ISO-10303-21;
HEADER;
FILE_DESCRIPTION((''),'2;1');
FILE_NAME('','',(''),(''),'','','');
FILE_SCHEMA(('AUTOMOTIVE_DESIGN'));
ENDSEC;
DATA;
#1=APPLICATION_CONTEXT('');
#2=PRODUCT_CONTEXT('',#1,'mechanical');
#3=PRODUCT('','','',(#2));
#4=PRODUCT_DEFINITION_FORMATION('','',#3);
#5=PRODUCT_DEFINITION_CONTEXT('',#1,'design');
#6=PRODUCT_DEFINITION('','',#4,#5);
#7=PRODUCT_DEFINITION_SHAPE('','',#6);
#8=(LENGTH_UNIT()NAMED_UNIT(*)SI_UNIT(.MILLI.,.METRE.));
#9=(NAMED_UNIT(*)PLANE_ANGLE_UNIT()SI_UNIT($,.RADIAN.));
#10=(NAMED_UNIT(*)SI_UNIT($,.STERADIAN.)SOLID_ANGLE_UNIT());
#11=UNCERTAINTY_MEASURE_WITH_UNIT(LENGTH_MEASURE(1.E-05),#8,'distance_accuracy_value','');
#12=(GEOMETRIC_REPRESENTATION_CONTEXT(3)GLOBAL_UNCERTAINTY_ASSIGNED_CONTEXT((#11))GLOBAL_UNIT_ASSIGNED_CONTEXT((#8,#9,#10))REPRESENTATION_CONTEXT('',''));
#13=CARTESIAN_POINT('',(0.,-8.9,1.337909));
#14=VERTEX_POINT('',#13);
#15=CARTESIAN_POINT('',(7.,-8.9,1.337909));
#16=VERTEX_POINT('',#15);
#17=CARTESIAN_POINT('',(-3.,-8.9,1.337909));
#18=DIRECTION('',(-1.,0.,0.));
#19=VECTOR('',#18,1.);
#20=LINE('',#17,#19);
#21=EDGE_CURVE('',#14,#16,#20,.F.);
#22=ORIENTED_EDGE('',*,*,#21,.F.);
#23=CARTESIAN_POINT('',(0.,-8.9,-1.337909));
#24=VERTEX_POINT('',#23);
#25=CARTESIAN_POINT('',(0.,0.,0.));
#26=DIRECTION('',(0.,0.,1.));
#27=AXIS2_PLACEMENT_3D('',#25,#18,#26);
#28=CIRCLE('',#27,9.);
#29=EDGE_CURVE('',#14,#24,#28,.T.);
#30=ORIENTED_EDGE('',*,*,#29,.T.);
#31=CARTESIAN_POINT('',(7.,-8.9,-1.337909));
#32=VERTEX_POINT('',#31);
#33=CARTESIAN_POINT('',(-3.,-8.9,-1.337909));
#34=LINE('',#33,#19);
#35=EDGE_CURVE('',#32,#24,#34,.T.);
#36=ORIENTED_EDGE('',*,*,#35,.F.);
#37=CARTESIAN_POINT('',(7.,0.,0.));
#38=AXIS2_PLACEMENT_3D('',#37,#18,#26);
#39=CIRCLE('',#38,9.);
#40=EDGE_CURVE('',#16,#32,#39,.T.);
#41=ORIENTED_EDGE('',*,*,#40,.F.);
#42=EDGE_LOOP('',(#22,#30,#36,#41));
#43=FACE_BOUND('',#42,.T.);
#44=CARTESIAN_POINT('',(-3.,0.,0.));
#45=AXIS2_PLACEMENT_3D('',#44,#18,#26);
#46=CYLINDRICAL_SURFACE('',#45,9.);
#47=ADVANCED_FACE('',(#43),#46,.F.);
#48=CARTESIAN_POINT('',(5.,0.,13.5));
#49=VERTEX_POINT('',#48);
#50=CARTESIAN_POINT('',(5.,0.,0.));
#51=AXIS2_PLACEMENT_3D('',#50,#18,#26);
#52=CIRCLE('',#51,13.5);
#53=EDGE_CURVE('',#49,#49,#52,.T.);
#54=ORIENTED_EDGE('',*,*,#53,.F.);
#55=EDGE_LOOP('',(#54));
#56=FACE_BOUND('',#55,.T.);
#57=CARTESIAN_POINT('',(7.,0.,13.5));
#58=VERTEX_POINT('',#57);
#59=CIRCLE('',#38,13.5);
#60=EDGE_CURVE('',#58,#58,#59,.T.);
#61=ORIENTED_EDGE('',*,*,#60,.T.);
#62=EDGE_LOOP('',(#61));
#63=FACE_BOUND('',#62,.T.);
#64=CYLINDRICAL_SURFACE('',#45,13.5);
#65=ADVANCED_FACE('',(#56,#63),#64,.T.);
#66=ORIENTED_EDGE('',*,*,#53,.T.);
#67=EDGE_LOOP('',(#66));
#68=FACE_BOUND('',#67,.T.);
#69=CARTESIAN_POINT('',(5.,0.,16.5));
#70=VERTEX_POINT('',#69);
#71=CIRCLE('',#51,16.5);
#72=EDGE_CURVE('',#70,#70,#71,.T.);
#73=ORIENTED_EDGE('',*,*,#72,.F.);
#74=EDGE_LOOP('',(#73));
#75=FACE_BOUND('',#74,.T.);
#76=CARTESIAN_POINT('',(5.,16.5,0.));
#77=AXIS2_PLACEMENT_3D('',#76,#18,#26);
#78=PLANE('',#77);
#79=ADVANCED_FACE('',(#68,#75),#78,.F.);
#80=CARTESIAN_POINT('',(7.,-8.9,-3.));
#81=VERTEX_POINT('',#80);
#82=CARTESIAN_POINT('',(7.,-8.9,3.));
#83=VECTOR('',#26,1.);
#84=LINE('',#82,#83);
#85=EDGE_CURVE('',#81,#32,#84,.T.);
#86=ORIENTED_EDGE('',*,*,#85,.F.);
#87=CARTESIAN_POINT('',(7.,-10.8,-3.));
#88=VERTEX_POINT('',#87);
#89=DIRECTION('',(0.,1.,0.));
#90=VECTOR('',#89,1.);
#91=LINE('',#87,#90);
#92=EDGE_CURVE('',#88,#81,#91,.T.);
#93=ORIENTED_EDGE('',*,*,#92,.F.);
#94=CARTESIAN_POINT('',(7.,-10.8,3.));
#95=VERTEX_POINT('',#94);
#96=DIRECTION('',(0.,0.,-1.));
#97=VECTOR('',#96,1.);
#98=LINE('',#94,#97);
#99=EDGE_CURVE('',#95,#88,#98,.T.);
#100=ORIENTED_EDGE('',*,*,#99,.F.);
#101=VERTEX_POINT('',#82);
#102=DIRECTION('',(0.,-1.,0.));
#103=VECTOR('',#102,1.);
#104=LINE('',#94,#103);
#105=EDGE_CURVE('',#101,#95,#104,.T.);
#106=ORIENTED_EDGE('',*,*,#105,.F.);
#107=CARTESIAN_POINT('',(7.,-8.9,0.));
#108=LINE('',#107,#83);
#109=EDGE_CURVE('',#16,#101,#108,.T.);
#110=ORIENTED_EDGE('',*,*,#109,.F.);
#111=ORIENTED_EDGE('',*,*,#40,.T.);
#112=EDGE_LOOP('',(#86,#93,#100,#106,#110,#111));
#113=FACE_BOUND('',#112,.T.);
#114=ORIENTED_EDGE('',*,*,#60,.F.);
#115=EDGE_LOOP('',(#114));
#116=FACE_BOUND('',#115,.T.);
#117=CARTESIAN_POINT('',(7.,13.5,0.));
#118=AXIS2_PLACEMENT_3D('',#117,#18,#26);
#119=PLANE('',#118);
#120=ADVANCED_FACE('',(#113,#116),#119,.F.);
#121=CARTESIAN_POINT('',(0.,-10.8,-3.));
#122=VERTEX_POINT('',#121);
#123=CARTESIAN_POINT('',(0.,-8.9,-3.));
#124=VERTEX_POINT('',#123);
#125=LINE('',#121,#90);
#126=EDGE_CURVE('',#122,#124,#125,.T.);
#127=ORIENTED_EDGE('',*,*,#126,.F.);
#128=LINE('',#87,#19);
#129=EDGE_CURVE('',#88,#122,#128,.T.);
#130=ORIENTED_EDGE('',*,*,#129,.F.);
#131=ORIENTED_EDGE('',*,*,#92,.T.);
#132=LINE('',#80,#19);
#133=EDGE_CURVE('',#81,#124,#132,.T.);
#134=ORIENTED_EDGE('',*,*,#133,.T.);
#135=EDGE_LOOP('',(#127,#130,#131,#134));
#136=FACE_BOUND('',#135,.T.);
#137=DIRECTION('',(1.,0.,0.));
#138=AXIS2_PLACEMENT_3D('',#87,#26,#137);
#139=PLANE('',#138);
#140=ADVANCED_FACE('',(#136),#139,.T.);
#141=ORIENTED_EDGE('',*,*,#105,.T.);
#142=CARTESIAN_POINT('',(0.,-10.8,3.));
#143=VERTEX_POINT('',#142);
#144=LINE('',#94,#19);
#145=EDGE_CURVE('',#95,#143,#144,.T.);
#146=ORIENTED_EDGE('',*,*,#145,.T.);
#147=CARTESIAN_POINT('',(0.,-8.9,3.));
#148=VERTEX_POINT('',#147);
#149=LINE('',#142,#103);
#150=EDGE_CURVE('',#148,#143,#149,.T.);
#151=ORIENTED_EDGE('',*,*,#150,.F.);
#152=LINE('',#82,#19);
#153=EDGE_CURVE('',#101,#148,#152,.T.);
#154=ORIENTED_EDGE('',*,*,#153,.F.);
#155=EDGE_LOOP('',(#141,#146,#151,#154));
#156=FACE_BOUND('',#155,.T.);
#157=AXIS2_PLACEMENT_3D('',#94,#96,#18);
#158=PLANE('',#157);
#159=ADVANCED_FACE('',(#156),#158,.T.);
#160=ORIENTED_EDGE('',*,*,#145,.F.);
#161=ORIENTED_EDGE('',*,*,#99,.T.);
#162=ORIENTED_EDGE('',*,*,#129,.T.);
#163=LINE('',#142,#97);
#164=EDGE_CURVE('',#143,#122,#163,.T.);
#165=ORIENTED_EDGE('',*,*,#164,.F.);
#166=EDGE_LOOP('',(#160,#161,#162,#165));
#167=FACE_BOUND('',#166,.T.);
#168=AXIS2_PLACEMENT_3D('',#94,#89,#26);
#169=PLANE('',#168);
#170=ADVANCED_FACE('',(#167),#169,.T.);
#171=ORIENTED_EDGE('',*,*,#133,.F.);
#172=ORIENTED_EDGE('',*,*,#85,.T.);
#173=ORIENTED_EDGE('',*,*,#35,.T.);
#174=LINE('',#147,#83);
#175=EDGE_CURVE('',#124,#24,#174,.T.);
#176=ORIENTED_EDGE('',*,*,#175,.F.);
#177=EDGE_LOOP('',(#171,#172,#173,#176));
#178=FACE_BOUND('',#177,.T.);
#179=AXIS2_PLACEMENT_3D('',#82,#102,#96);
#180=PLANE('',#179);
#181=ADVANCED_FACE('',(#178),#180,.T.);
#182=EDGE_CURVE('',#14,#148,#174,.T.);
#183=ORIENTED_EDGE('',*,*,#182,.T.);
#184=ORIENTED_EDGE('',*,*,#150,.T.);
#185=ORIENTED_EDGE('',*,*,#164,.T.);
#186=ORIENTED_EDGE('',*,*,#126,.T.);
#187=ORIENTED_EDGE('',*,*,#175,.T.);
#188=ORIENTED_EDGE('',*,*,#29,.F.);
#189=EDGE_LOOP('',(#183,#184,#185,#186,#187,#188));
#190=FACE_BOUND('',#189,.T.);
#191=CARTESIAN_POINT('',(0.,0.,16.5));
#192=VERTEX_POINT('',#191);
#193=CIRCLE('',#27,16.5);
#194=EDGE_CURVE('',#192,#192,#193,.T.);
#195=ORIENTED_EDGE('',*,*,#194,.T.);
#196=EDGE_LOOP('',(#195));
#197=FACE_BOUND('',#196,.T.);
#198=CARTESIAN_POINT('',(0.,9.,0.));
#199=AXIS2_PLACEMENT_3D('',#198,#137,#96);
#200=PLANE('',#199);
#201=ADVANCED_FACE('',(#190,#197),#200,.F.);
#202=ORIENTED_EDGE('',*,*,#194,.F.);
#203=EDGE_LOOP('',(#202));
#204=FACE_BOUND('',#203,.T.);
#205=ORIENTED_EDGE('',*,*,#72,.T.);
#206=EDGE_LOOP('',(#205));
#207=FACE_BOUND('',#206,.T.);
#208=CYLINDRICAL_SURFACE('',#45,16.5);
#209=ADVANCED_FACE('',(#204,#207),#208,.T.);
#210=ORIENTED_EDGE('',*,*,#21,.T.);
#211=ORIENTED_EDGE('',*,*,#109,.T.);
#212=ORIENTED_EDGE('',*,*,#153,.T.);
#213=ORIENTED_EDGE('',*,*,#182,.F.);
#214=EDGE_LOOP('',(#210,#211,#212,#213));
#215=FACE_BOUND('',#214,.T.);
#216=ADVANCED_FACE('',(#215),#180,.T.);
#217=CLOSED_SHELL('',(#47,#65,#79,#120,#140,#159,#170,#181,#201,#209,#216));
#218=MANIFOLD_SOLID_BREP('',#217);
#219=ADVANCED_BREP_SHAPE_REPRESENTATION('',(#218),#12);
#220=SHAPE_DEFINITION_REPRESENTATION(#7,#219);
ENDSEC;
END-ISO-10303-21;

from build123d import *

# Parameters (mm, degrees)
SKETCH_2_W        = 6
SKETCH_2_H        = 1.9
F_02_KEYWAY_DEPTH = 25.36185543


with BuildPart() as part:
    # 草图1 → 旋转1 (revolve)
    with BuildSketch(Plane.XY, mode=Mode.PRIVATE) as revolve_1_sk:
        Polygon((0, 9), (0, 16.5), (5, 16.5), (5, 13.5), (7, 13.5), (7, 9), align=None)
    revolve(revolve_1_sk.sketch.rotate(Axis((-3, 0, 0), (1, 0, 0)), 90), axis=Axis((-3, 0, 0), (1, 0, 0)))

    # 草图2 → 02_KEYWAY (cut, through all)
    with BuildSketch(Plane(origin=(0, 0, 0), x_dir=(0, 0, -1), z_dir=(1, 0, 0))):
        with Locations((0, -9.85)):
            Rectangle(SKETCH_2_W, SKETCH_2_H)
    extrude(amount=F_02_KEYWAY_DEPTH, mode=Mode.SUBTRACT)


solid = part.part
